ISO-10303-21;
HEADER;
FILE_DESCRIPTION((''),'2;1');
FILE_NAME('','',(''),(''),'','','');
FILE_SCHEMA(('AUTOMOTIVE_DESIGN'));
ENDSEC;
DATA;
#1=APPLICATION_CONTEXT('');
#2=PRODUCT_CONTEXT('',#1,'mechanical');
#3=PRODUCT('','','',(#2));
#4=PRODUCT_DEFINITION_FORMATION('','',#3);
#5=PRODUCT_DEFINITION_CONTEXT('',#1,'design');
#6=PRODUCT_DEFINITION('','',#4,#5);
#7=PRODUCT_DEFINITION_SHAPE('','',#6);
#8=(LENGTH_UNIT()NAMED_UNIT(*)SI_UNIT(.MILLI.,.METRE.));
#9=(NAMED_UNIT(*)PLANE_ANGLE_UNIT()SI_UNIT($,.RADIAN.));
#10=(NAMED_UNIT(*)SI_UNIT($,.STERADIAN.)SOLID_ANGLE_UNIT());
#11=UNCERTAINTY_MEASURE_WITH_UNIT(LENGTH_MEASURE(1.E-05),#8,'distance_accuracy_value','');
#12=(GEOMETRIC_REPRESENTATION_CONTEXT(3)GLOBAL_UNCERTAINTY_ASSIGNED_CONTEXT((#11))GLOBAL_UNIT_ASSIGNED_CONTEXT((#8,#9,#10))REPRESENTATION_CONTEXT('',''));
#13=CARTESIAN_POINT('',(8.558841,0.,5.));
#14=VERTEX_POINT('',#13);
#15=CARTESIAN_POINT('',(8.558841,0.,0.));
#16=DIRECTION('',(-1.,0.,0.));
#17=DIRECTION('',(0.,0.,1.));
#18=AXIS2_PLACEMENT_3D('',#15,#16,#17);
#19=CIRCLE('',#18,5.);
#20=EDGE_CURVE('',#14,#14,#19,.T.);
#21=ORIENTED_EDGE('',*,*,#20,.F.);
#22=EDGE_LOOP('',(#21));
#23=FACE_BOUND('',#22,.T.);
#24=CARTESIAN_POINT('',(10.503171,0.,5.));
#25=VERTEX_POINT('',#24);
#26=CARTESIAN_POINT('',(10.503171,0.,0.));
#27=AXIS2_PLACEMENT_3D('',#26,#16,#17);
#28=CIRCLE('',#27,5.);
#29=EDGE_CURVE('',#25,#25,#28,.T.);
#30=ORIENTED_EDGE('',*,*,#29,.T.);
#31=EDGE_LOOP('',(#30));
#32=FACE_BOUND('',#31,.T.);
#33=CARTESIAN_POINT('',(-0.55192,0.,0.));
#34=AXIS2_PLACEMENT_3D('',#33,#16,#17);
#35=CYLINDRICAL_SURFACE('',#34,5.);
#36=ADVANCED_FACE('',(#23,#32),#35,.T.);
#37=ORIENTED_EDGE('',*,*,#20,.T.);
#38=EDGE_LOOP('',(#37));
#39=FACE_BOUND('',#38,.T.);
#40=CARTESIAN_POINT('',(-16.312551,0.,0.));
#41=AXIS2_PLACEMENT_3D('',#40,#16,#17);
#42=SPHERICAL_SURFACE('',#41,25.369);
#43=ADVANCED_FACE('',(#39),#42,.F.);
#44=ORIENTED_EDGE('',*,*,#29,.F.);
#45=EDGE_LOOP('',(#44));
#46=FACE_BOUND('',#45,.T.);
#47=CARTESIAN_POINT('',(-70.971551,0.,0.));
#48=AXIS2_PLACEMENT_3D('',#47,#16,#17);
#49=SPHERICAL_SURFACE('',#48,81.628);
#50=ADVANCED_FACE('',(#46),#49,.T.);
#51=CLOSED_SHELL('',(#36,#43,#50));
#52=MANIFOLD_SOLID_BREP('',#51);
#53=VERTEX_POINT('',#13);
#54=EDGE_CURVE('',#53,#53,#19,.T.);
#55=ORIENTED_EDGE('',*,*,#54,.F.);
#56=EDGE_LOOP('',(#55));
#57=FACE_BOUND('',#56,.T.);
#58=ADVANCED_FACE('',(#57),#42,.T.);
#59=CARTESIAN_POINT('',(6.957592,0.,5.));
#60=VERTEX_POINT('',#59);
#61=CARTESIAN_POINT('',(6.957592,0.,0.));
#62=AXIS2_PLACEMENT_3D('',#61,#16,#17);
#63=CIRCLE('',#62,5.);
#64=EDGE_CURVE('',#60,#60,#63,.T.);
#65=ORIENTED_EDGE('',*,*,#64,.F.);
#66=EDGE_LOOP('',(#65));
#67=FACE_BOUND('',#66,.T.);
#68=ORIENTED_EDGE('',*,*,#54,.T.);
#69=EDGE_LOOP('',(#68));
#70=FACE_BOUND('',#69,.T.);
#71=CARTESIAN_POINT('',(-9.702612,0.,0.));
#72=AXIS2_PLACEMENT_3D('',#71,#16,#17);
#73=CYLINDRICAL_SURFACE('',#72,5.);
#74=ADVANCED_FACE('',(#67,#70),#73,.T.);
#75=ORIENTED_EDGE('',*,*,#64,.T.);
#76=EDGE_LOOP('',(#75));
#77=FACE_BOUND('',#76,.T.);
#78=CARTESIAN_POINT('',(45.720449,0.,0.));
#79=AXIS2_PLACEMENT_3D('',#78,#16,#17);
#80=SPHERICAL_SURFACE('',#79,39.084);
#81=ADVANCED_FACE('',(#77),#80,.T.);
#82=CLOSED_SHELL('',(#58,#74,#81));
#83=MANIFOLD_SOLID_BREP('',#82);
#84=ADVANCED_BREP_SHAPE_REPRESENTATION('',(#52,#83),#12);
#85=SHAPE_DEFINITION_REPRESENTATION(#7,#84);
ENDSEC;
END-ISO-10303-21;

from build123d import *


with BuildPart() as part:
    # 草图1 one side → 旋转1 (revolve)
    with BuildSketch(Plane(origin=(0, 0, 0), x_dir=(1, 0, 0), z_dir=(0, 1, 0)), mode=Mode.PRIVATE) as revolve_1_sk:
        with BuildLine():
            ThreePointArc((6.957592116, 5), (6.716817238, 2.505151345), (6.636448771, 0))
            Line((6.636448771, 0), (9.056448771, 0))
            ThreePointArc((9.056448771, 0), (8.931740357, 2.51235016), (8.558841193, 5))
            Line((8.558841193, 5), (6.957592116, 5))
        make_face()
    revolve(revolve_1_sk.sketch.rotate(Axis((-9.702612178, 0, 0), (1, 0, 0)), 180), axis=Axis((-9.702612178, 0, 0), (1, 0, 0)))  # turned: the seam where the file's is


with BuildPart() as body_2:
    # 草图2 one side → 旋转3 (revolve)
    with BuildSketch(Plane(origin=(0, 0, 0), x_dir=(1, 0, 0), z_dir=(0, 1, 0)), mode=Mode.PRIVATE) as revolve_3_sk:
        with BuildLine():
            Line((10.503171133, 5), (8.558841193, 5))
            ThreePointArc((8.558841193, 5), (8.931740357, 2.51235016), (9.056448771, 0))
            Line((9.056448771, 0), (10.656448771, 0))
            ThreePointArc((10.656448771, 0), (10.618120363, 2.501174426), (10.503171133, 5))
        make_face()
    revolve(revolve_3_sk.sketch.rotate(Axis((-0.551919993, 0, 0), (1, 0, 0)), 180), axis=Axis((-0.551919993, 0, 0), (1, 0, 0)))  # turned: the seam where the file's is


solid = Compound([part.part, body_2.part])
